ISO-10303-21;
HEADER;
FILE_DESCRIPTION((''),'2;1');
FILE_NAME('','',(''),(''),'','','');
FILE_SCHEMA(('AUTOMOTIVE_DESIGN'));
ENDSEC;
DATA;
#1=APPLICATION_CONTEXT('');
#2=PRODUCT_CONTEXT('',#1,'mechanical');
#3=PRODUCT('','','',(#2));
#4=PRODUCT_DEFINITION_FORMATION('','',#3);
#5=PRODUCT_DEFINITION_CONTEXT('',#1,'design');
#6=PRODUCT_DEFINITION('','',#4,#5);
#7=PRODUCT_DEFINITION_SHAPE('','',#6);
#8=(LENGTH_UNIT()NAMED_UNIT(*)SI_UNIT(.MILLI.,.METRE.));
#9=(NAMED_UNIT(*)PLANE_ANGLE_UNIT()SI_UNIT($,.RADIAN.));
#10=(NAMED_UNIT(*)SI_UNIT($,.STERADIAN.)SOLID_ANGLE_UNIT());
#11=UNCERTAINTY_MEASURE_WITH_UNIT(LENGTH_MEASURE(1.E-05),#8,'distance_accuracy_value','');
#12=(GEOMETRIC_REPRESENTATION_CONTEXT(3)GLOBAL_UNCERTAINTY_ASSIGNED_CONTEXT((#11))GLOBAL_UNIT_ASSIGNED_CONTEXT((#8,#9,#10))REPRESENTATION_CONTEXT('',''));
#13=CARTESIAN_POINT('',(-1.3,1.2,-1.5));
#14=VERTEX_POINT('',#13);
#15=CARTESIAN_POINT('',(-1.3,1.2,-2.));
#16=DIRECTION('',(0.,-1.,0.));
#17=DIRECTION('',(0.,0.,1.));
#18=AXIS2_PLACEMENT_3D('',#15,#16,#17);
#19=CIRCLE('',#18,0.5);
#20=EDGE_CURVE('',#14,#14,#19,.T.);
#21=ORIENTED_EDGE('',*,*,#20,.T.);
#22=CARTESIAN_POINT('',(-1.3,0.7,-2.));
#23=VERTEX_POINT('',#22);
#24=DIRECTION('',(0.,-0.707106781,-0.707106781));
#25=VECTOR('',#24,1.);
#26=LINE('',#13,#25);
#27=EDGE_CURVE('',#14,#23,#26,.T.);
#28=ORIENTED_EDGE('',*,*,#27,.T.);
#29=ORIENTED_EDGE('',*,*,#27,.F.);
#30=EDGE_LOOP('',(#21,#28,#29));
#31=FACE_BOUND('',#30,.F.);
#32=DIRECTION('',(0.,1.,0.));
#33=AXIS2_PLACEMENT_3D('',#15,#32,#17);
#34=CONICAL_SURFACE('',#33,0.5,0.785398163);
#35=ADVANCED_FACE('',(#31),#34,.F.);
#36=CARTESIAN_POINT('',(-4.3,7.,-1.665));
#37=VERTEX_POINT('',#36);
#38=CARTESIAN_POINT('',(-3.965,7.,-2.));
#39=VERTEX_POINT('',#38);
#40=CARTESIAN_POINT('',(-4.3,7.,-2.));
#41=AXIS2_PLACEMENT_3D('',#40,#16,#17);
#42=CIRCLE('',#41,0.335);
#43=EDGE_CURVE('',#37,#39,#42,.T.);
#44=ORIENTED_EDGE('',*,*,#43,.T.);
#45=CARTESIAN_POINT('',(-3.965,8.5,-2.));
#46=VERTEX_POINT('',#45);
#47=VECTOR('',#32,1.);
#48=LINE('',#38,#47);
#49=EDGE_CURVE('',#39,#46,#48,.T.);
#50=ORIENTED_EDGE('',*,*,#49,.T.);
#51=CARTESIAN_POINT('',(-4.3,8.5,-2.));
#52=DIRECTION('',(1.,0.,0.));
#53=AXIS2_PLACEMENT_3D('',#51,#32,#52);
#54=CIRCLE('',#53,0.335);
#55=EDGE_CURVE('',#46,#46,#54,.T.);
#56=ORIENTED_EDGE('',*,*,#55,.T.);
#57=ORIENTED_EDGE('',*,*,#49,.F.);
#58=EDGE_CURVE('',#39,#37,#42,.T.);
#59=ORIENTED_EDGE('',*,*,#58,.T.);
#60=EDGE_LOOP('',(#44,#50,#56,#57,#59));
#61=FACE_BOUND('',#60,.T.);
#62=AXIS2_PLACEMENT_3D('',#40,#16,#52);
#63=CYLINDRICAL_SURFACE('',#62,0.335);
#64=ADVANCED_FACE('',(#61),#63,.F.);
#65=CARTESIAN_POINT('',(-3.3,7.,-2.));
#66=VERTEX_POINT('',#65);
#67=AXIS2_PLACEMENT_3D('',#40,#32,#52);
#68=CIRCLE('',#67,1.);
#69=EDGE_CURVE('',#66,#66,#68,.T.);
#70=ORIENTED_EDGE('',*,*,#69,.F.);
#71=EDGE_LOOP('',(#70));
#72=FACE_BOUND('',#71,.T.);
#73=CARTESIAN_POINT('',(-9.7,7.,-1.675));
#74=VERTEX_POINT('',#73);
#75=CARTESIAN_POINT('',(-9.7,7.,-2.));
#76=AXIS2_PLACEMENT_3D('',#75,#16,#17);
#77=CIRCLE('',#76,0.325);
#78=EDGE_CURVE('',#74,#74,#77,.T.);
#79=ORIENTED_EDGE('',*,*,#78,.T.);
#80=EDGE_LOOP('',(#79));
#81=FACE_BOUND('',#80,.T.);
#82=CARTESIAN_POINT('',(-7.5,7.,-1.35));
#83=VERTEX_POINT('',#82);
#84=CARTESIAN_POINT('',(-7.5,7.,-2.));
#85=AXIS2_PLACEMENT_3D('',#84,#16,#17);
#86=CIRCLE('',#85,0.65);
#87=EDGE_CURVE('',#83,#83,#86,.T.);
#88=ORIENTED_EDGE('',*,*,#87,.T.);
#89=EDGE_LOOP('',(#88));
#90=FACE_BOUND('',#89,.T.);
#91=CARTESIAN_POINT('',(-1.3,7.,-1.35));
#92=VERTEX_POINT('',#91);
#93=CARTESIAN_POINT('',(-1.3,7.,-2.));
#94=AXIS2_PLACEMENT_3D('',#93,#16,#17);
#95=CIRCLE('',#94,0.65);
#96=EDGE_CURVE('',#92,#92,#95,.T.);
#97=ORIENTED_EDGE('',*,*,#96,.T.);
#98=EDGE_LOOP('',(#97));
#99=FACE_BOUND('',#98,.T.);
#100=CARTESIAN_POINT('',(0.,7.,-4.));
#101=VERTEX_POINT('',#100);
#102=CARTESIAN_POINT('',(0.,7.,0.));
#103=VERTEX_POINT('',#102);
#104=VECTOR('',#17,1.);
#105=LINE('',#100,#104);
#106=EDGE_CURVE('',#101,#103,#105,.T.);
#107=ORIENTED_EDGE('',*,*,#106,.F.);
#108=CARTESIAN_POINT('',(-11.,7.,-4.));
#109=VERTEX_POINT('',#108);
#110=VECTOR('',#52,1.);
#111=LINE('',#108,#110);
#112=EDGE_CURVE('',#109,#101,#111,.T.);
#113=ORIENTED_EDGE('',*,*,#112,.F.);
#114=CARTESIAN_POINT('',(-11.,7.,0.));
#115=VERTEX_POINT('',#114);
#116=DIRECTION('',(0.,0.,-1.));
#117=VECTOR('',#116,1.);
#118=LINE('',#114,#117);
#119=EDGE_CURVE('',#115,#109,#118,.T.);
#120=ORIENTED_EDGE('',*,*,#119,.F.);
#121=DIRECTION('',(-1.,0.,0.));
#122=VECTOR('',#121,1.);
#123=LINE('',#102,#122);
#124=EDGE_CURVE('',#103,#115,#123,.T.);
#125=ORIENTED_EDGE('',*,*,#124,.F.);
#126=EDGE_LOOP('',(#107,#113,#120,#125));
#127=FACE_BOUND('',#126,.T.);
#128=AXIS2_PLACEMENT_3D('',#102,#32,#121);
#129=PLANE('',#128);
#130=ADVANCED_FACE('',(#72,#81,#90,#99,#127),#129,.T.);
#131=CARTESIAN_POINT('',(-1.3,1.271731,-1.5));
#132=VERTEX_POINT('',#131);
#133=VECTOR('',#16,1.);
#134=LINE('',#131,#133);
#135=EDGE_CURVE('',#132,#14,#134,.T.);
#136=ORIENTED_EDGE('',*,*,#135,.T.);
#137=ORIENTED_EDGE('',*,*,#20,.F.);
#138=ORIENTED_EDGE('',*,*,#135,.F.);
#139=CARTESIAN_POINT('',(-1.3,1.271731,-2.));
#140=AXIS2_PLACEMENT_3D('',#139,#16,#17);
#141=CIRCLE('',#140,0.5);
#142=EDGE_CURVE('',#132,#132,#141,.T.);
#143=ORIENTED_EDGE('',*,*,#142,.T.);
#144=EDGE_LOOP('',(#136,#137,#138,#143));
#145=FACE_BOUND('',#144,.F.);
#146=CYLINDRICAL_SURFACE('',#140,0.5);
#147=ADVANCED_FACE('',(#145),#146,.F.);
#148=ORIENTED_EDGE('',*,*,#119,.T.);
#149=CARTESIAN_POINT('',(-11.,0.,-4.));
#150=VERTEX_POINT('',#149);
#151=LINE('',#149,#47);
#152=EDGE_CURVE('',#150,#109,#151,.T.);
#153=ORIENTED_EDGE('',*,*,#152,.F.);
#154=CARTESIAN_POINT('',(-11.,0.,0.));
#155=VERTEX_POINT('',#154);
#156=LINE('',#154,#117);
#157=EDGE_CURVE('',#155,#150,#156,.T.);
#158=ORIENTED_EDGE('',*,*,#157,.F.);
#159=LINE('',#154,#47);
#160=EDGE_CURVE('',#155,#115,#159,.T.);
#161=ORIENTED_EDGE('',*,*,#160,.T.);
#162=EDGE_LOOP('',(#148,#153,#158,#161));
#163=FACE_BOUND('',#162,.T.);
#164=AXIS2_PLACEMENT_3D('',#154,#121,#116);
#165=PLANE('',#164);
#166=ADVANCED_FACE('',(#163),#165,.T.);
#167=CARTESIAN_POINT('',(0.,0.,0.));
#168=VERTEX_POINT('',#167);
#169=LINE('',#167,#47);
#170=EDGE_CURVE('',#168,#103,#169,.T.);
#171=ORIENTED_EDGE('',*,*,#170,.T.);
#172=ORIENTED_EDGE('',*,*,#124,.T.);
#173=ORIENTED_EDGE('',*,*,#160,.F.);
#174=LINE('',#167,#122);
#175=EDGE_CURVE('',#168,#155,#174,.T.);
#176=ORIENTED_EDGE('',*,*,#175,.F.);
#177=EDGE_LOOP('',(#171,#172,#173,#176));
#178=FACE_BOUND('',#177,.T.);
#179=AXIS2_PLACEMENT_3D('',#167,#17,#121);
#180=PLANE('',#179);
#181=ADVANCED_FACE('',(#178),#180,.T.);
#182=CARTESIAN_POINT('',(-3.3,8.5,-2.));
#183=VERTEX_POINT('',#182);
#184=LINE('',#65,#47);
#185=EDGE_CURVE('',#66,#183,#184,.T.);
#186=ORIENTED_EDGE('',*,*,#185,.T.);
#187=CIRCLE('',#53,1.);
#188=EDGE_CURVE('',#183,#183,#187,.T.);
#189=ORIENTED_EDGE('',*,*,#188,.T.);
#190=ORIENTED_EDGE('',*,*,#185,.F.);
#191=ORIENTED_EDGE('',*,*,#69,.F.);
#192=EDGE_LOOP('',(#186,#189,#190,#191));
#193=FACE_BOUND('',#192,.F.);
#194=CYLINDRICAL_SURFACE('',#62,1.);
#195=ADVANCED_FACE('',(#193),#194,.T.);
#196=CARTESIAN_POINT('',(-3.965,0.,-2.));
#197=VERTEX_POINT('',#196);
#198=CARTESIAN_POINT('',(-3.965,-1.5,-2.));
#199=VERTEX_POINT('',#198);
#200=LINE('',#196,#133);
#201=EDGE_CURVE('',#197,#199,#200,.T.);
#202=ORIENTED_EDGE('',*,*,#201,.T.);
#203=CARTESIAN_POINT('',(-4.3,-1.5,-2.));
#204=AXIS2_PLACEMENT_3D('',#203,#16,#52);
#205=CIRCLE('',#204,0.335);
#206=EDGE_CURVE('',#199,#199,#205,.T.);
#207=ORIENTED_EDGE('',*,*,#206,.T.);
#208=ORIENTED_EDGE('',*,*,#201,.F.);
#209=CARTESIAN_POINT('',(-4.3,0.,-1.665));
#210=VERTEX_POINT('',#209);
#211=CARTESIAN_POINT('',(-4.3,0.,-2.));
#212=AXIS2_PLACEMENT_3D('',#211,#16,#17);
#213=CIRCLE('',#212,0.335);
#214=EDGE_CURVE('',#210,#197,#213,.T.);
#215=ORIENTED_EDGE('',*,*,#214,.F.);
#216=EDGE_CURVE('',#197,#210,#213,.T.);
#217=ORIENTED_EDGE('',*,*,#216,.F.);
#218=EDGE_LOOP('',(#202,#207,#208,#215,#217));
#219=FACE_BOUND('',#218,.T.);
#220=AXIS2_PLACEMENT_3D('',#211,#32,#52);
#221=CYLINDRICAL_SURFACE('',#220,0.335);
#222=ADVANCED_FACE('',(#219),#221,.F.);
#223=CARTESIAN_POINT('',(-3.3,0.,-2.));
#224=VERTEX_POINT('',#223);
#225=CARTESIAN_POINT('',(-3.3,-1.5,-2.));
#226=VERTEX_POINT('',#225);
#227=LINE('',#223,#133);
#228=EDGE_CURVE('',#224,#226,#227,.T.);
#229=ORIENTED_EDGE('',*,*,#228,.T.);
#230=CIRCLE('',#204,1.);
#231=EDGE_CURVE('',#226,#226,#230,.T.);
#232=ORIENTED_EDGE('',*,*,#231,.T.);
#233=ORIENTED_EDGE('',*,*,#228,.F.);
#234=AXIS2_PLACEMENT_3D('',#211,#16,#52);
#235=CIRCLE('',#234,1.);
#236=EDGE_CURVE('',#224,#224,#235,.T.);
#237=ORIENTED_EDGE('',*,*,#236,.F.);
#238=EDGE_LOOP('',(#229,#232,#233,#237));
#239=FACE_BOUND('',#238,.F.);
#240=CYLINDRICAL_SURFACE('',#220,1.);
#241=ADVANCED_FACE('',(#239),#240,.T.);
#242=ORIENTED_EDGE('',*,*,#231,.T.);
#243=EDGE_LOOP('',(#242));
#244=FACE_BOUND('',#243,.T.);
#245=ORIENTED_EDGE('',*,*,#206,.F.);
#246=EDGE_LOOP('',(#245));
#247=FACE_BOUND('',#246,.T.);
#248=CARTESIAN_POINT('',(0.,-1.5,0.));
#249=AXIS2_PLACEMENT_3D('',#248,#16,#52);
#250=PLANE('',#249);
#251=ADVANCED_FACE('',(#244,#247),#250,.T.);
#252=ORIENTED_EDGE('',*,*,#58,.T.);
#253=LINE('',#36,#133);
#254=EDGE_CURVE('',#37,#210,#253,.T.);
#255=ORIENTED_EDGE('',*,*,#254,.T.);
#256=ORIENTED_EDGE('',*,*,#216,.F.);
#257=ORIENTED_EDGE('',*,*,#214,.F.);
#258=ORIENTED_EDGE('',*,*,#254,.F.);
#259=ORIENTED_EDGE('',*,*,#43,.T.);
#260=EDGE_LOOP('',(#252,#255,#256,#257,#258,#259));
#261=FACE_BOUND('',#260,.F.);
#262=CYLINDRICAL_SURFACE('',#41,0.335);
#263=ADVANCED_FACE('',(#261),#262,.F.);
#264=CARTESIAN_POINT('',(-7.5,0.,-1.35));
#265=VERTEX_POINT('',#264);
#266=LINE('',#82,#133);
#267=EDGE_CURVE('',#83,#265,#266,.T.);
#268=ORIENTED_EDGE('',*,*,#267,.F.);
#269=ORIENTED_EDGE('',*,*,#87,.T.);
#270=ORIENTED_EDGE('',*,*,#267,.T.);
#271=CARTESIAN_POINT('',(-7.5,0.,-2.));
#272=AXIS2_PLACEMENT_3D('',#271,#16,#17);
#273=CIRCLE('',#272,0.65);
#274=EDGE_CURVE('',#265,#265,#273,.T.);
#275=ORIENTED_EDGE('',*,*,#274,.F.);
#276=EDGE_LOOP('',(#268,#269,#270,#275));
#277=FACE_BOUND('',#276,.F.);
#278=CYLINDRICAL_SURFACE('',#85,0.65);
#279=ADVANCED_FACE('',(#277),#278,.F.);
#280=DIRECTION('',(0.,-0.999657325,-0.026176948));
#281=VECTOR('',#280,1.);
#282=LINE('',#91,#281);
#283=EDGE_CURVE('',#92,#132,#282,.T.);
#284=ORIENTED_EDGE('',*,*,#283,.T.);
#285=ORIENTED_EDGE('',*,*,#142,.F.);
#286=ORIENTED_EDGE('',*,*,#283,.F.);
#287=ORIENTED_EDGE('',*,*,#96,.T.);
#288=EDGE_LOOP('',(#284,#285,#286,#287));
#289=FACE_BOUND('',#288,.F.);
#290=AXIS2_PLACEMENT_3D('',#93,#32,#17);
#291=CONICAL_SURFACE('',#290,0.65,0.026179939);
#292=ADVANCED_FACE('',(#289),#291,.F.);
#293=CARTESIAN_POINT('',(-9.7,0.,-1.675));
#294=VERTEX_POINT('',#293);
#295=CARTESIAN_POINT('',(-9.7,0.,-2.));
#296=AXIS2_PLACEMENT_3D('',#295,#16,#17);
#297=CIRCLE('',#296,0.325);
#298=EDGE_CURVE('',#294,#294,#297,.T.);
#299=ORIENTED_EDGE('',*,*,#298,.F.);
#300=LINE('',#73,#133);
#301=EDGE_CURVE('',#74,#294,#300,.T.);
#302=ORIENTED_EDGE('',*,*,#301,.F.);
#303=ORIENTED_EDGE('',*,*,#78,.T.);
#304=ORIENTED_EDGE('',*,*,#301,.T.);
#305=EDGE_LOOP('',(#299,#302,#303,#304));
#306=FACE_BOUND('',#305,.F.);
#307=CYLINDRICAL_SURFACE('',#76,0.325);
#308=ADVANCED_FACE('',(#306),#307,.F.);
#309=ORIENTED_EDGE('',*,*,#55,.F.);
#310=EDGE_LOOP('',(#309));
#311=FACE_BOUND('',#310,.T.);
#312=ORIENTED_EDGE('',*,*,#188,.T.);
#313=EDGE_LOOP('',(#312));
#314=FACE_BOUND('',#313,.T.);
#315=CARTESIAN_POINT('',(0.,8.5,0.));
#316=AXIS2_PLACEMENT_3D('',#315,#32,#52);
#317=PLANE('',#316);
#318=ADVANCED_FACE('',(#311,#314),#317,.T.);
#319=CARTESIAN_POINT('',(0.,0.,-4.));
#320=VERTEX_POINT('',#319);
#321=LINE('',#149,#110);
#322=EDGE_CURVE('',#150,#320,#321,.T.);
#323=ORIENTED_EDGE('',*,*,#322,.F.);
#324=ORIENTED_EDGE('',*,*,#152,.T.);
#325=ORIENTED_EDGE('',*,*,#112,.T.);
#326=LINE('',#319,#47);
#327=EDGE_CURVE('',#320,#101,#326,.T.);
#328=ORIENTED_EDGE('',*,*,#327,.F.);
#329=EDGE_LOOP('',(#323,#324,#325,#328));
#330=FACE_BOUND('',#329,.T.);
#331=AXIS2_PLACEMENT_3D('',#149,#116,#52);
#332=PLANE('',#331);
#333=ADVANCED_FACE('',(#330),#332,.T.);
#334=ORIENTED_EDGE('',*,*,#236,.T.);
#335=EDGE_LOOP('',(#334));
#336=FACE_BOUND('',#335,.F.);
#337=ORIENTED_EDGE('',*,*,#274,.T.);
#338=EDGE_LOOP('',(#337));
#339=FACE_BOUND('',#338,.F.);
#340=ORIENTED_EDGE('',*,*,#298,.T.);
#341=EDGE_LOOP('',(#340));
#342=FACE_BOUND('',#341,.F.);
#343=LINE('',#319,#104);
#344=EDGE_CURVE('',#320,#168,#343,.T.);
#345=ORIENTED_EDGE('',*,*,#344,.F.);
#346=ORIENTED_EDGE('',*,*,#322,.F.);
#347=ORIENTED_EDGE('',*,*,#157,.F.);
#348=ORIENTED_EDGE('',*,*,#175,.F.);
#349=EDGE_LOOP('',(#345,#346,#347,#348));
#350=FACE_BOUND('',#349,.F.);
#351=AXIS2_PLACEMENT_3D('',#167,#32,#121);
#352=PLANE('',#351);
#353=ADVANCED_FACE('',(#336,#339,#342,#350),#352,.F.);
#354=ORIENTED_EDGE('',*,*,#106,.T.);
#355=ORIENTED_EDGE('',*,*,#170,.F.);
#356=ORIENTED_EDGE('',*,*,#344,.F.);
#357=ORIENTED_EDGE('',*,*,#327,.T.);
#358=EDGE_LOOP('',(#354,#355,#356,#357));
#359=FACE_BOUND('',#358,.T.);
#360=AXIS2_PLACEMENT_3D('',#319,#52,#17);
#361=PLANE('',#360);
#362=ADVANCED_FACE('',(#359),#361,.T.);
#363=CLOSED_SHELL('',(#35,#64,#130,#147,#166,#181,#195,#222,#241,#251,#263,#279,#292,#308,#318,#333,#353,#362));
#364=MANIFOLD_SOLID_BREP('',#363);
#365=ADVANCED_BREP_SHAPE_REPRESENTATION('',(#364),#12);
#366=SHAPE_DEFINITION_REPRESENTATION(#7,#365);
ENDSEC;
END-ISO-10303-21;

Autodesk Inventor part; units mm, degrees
ref_plane "YZ Plane" through (0, 0, 0) normal (1, 0, 0) x (0, 1, 0)
ref_plane "XZ Plane" through (0, 0, 0) normal (0, 1, 0) x (-1, 0, 0)
ref_plane "XY Plane" through (0, 0, 0) normal (0, 0, 1) x (1, 0, 0)
sketch "스케치1" plane through (0, 0, 0) normal (0, 1, 0) x (-1, 0, 0)
  line L0 (0, 0) -> (11, 0)
  line L1 (11, 0) -> (11, -4)
  line L2 (11, -4) -> (0, -4)
  line L3 (0, -4) -> (0, 0)
  dimension "d0" = 11
  dimension "d1" = 4
extrude "돌출1" add sketch "스케치1" along normal blind 7
sketch "스케치2" plane through (0, 7, 0) normal (0, 1, 0) x (1, 0, 0)
  line L0 (0, 0) -> (0, 4) construction
  line L1 (0, 2) -> (-11, 2) construction
  line L2 (-11, 4) -> (-11, 0) construction
  point P0 (-1.3, 2)
  point P1 (-4.3, 2)
  point P2 (-7.5, 2)
  point P3 (-9.7, 2)
  point P4 (-4.3, 2)
  dimension "d59" = 1.3
  dimension "d60" = 2.2
  dimension "d61" = 3.2
  dimension "d62" = 1.3
  dimension "d69" = 0
hole "구멍1" at (-9.7, 7, -2) direction (0, -1, 0) diameter 0.65 end through all
hole "구멍2" at (-7.5, 7, -2) direction (0, -1, 0) diameter 1.3 end through all
hole "구멍3" at (-4.3, 7, -2) direction (0, -1, 0) diameter 0.67 end through all
hole "구멍4" at (-1.3, 7, -2) direction (0, -1, 0) diameter 1 depth 5.8 tip angle 90 countersink diameter 1.3 countersink angle 3
sketch "스케치3" plane through (0, 7, 0) normal (0, 1, 0) x (1, 0, 0)
  circle A0 centre (-4.3, 2) radius 1
  circle A1 centre (-4.3, 2) radius 0.335 projected
  point P0 (0, 0)
  point P1 (-4.3, 2)
  dimension "d50" = 2
extrude "돌출2" add sketch "스케치3" along normal blind 1.5
sketch "스케치4" plane through (0, 0, 0) normal (0, -1, 0) x (1, 0, 0)
  circle A0 centre (-4.3, -2) radius 1
  circle A1 centre (-4.3, -2) radius 0.335 projected
  point P0 (0, 0)
  point P1 (-4.3, -2)
  dimension "d53" = 2
extrude "돌출3" add sketch "스케치4" along normal blind 1.5
sketch "스케치5" plane through (0, 0, -4) normal (0, 0, -1) x (-1, 0, 0)
  point P0 (0, 0)
equation "\"d8\" = G23_F"
equation "\"d15\" = Screw_F"
equation "\"d22\" = G23_M"
equation "\"G23_F\" = 0.65"
equation "\"G23_M\" = 0.67"
equation "\"Screw_F\" = 1.3"
equation "\"Screw_M\" = 1.6"
properties part number "BOt"
